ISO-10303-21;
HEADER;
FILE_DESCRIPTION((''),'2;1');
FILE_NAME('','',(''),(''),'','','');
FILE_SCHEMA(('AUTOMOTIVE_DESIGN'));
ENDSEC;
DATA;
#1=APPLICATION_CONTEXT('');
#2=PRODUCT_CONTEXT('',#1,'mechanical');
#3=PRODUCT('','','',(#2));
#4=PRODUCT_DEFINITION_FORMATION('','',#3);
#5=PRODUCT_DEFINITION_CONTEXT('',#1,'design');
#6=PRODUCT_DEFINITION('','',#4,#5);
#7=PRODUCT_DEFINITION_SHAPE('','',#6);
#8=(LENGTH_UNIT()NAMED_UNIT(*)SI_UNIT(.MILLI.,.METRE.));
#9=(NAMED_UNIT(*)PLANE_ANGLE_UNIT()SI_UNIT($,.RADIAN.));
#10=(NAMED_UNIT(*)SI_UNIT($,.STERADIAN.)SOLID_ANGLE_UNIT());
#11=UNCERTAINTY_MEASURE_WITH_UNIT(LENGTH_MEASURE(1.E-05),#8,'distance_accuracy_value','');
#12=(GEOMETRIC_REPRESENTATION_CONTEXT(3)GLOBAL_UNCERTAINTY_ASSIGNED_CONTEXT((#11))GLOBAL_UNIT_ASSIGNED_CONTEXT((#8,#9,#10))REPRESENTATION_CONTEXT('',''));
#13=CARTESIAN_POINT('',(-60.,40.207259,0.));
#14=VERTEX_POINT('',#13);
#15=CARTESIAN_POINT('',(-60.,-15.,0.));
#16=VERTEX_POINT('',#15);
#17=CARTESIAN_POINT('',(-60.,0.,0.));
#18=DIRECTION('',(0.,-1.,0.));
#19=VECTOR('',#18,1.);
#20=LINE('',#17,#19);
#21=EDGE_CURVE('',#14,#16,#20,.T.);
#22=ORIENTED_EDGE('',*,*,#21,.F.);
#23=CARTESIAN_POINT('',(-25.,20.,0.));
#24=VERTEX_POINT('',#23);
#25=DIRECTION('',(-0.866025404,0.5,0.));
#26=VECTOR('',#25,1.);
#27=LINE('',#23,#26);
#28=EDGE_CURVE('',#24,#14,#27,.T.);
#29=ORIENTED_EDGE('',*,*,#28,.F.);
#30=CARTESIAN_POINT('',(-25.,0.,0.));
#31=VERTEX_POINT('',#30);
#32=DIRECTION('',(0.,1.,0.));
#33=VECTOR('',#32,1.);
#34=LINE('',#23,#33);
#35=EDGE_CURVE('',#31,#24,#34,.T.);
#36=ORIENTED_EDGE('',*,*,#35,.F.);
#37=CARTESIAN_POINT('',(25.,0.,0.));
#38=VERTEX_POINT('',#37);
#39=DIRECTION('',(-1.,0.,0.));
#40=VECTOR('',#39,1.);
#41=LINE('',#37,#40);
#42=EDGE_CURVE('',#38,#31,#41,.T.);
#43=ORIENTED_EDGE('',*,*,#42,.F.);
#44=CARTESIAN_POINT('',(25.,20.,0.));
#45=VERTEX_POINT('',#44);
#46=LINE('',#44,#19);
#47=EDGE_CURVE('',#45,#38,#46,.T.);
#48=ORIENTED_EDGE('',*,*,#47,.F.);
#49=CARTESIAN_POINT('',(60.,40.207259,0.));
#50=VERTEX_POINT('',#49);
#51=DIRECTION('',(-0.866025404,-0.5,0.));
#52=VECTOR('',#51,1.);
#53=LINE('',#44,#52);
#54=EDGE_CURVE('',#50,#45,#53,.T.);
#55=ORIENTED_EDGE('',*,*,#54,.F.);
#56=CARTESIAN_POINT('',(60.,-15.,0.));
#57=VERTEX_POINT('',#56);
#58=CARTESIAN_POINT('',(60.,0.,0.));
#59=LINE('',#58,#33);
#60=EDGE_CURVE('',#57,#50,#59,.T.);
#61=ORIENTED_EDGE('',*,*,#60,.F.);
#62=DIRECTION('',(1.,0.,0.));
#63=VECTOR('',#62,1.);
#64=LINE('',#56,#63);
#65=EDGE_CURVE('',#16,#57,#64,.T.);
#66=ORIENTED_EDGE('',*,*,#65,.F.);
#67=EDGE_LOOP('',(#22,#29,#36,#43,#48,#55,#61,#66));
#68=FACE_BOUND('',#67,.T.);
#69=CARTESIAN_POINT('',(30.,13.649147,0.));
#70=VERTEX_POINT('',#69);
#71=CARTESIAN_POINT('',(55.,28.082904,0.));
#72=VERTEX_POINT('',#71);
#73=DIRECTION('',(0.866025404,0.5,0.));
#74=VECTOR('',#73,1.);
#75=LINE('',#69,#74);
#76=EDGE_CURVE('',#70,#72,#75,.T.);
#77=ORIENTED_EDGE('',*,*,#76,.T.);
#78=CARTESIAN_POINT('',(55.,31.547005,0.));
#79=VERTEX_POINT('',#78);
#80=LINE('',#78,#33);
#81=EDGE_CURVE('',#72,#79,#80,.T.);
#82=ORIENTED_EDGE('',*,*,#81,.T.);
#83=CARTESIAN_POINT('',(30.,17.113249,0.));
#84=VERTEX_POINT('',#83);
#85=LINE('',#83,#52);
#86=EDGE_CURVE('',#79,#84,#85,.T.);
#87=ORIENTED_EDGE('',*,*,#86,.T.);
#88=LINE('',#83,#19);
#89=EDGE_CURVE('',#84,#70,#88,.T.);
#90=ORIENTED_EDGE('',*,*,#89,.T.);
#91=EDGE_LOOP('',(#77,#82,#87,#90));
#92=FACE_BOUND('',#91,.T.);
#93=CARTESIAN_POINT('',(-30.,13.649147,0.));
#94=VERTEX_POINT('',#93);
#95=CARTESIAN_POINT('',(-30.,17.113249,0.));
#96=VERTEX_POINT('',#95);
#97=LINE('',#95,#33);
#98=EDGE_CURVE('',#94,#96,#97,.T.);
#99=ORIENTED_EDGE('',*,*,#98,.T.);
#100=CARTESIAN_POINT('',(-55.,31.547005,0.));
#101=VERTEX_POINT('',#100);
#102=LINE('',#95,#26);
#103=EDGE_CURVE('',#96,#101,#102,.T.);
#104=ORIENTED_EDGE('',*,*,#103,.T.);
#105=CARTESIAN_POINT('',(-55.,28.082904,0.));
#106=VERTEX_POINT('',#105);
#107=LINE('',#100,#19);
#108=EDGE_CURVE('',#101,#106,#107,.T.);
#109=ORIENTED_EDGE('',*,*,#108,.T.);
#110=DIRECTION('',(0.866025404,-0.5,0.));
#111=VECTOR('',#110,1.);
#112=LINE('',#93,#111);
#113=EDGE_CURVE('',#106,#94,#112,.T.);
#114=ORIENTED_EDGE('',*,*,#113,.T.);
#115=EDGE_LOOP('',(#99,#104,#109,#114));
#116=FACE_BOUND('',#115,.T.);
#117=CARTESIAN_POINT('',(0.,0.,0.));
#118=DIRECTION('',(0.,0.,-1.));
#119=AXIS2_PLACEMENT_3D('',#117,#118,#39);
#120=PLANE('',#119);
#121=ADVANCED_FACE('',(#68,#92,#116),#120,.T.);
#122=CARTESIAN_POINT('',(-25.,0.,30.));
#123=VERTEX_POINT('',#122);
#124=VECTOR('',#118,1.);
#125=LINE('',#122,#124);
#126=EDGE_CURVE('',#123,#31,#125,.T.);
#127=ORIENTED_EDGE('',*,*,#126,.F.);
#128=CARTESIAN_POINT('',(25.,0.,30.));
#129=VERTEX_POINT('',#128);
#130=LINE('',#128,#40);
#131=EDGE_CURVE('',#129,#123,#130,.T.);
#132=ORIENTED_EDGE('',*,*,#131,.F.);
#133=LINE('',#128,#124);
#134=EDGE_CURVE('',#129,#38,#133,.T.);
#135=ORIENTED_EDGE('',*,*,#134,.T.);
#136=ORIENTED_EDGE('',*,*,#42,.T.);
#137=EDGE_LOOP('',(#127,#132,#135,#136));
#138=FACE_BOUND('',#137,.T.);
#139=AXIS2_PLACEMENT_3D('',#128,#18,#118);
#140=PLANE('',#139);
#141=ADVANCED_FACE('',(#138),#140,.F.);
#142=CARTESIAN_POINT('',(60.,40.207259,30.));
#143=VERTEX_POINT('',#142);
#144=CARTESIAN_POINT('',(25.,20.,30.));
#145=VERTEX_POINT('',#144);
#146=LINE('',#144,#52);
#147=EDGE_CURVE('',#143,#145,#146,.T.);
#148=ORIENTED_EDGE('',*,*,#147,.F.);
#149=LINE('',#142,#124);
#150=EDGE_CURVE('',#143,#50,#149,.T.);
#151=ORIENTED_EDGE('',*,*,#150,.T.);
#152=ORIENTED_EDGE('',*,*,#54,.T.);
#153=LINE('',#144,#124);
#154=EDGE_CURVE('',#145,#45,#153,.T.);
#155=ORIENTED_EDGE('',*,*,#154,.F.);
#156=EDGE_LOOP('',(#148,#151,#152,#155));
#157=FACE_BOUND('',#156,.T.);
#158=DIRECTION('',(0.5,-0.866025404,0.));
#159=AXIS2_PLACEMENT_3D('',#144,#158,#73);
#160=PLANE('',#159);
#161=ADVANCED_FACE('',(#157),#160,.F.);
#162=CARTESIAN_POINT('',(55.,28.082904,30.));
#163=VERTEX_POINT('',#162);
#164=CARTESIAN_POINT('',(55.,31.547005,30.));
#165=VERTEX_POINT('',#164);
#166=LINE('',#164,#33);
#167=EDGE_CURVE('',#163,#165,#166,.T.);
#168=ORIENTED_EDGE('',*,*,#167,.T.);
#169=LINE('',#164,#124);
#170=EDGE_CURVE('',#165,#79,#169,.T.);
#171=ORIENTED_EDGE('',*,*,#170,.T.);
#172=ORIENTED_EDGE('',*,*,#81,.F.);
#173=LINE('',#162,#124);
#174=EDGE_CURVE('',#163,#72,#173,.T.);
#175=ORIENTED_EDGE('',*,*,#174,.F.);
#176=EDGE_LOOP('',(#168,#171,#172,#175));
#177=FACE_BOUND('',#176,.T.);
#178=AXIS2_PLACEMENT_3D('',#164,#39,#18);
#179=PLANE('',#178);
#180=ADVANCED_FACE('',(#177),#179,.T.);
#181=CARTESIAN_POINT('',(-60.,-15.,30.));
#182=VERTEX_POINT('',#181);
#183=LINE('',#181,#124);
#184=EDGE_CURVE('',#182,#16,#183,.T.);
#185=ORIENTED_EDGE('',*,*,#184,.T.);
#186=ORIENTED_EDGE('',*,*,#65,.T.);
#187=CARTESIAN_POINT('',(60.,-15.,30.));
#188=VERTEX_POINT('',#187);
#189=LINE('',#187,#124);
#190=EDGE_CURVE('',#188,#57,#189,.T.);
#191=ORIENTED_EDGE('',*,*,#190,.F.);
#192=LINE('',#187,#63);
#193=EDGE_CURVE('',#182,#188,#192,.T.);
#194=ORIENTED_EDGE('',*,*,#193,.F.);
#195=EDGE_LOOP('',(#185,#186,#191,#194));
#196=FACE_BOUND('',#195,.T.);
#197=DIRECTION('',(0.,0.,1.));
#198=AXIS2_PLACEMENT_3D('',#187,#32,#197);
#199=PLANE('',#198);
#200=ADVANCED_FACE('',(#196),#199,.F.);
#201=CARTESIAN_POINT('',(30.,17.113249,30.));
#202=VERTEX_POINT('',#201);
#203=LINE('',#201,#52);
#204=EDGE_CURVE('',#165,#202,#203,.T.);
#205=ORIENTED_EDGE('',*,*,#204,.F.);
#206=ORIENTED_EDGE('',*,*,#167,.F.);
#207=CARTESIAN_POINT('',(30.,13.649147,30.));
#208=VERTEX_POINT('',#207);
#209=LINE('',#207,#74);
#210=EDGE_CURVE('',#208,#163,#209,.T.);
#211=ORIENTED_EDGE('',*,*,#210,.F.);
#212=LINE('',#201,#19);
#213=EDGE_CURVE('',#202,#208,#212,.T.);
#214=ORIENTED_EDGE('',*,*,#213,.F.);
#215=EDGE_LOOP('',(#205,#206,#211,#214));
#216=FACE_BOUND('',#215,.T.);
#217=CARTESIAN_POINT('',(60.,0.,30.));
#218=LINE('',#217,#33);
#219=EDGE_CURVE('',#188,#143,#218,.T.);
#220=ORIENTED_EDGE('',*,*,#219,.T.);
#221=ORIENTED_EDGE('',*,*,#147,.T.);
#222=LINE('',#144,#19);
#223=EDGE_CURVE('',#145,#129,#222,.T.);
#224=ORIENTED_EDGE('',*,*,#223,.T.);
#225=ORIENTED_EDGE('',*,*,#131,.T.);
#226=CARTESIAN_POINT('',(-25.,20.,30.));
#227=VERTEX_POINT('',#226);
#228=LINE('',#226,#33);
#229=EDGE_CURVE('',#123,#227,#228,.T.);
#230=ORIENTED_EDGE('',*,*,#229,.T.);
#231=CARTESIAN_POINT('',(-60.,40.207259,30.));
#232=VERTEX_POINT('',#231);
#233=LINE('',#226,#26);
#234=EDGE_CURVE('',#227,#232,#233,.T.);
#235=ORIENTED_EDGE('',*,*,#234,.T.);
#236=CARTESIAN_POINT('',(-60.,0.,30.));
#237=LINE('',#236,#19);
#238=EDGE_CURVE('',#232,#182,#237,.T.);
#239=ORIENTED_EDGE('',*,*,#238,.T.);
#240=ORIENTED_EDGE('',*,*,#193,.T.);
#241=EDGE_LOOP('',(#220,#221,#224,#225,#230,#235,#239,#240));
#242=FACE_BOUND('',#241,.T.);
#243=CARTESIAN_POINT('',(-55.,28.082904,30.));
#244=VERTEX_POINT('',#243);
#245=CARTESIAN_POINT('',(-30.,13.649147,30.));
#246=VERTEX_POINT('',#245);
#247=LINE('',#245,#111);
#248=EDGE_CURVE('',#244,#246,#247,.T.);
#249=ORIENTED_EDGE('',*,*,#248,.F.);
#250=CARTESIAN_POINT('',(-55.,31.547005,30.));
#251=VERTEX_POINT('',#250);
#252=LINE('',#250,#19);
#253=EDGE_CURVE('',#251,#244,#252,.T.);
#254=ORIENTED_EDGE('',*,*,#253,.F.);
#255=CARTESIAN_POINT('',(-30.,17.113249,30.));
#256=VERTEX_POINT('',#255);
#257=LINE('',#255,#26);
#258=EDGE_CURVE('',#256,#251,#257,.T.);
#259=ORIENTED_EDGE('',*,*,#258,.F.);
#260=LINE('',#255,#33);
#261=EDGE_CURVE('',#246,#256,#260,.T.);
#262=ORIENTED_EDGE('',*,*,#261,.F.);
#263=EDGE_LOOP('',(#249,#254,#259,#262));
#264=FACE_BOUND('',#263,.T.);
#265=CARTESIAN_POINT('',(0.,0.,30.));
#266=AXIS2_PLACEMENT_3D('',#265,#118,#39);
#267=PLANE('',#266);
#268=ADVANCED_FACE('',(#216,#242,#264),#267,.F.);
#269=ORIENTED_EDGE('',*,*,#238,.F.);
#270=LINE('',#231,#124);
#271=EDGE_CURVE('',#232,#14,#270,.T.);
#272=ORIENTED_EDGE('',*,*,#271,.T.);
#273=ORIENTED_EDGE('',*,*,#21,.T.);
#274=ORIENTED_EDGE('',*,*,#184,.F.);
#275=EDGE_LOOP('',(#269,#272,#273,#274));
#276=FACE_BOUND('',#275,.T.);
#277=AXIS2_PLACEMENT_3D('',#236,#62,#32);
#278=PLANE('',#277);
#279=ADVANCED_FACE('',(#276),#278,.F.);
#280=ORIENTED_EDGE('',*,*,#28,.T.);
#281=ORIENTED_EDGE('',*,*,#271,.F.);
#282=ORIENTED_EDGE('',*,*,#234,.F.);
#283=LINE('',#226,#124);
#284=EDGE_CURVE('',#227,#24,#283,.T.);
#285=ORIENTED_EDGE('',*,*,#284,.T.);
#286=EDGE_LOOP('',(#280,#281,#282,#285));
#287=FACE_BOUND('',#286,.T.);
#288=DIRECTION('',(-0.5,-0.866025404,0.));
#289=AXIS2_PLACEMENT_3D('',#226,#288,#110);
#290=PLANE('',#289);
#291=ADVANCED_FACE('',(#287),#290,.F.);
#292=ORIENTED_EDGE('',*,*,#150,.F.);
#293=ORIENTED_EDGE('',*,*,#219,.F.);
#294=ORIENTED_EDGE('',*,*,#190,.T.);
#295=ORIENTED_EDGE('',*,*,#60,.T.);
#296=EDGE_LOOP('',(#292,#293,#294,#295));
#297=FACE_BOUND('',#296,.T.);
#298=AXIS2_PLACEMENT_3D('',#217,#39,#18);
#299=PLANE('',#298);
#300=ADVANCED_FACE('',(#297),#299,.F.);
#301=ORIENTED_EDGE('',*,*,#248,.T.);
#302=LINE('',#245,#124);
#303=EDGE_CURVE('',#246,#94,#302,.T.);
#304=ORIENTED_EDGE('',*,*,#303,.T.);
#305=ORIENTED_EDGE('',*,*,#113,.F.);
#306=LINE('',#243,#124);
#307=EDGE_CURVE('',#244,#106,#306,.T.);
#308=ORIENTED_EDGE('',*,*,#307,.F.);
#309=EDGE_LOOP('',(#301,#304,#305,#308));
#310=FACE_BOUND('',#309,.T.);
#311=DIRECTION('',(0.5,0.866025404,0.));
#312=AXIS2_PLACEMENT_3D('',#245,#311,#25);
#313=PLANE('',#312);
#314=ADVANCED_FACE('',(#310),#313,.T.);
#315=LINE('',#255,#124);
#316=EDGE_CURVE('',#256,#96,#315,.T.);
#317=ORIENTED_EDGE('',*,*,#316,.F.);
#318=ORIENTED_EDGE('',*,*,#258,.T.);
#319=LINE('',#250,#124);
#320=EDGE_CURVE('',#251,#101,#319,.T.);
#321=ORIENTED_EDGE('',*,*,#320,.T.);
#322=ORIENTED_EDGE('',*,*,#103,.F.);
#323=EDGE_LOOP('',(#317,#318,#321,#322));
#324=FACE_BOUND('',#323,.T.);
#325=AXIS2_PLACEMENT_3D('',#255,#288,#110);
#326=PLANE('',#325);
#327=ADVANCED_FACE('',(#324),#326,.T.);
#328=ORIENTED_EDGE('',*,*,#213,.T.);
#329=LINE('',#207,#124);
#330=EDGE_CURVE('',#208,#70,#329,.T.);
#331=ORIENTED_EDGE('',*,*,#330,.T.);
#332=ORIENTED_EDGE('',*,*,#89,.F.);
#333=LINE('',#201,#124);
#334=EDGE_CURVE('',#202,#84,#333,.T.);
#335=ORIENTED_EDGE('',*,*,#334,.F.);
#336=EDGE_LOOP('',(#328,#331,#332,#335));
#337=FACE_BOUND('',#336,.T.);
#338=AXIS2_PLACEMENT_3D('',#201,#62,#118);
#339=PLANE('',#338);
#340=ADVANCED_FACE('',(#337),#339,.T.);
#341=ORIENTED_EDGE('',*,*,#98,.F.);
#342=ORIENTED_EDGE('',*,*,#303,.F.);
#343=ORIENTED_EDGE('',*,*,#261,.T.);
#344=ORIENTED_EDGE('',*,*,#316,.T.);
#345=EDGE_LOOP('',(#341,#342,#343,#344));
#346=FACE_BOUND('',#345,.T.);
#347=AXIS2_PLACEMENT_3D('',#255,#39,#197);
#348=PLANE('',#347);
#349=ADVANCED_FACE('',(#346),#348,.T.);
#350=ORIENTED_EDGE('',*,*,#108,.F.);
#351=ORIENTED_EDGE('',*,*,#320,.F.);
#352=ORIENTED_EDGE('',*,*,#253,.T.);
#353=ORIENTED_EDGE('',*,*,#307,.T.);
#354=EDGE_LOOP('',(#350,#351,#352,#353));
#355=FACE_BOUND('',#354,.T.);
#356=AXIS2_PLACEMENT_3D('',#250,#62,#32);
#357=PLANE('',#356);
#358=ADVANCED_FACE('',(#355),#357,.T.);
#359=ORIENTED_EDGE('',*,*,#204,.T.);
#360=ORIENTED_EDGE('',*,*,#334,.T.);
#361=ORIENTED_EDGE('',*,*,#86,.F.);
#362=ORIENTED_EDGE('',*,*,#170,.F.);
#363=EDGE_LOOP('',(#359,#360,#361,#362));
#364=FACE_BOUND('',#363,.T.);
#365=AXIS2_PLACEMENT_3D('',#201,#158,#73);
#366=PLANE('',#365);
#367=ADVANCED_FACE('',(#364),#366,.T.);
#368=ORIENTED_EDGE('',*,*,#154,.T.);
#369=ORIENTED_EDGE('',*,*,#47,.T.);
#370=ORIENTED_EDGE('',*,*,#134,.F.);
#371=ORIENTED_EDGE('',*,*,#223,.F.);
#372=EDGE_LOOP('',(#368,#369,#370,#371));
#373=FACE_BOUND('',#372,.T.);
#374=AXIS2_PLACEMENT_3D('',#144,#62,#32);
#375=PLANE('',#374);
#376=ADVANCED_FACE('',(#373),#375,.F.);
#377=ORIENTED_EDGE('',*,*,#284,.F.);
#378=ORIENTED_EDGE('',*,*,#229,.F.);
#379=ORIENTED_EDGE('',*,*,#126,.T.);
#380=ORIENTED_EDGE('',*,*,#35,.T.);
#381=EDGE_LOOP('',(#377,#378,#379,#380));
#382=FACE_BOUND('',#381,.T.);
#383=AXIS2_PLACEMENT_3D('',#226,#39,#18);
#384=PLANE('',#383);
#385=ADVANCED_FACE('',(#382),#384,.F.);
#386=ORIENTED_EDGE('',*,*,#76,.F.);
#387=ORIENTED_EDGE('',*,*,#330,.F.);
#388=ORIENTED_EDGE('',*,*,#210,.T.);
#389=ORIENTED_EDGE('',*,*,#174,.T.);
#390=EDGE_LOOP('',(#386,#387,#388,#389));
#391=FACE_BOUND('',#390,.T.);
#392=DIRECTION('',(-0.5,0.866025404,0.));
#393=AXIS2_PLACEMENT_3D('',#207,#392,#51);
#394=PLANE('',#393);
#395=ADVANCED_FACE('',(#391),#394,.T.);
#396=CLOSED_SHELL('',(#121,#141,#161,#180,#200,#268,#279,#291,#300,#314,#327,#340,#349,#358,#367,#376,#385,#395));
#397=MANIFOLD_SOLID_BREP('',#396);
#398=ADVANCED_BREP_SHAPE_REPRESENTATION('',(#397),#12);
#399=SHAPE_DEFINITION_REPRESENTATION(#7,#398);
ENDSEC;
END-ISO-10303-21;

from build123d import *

# Parameters (mm, degrees)
BOSS_EXTRU_1_DEPTH = 30


with BuildPart() as part:
    # Esquisse1 → Boss.-Extru.1 (new body)
    with BuildSketch(Plane.XY):
        Polygon((25, 20), (60, 40.207259422), (60, 0), (60, -15), (-60, -15), (-60, 0), (-60, 40.207259422), (-25, 20), (-25, 0), (25, 0), align=None)
        Polygon((30, 17.113248654), (55, 31.547005384), (55, 28.082903769), (30, 13.649147039), align=None, mode=Mode.SUBTRACT)
        Polygon((-30, 17.113248654), (-30, 13.649147039), (-55, 28.082903769), (-55, 31.547005384), align=None, mode=Mode.SUBTRACT)
    extrude(amount=BOSS_EXTRU_1_DEPTH)


solid = part.part
